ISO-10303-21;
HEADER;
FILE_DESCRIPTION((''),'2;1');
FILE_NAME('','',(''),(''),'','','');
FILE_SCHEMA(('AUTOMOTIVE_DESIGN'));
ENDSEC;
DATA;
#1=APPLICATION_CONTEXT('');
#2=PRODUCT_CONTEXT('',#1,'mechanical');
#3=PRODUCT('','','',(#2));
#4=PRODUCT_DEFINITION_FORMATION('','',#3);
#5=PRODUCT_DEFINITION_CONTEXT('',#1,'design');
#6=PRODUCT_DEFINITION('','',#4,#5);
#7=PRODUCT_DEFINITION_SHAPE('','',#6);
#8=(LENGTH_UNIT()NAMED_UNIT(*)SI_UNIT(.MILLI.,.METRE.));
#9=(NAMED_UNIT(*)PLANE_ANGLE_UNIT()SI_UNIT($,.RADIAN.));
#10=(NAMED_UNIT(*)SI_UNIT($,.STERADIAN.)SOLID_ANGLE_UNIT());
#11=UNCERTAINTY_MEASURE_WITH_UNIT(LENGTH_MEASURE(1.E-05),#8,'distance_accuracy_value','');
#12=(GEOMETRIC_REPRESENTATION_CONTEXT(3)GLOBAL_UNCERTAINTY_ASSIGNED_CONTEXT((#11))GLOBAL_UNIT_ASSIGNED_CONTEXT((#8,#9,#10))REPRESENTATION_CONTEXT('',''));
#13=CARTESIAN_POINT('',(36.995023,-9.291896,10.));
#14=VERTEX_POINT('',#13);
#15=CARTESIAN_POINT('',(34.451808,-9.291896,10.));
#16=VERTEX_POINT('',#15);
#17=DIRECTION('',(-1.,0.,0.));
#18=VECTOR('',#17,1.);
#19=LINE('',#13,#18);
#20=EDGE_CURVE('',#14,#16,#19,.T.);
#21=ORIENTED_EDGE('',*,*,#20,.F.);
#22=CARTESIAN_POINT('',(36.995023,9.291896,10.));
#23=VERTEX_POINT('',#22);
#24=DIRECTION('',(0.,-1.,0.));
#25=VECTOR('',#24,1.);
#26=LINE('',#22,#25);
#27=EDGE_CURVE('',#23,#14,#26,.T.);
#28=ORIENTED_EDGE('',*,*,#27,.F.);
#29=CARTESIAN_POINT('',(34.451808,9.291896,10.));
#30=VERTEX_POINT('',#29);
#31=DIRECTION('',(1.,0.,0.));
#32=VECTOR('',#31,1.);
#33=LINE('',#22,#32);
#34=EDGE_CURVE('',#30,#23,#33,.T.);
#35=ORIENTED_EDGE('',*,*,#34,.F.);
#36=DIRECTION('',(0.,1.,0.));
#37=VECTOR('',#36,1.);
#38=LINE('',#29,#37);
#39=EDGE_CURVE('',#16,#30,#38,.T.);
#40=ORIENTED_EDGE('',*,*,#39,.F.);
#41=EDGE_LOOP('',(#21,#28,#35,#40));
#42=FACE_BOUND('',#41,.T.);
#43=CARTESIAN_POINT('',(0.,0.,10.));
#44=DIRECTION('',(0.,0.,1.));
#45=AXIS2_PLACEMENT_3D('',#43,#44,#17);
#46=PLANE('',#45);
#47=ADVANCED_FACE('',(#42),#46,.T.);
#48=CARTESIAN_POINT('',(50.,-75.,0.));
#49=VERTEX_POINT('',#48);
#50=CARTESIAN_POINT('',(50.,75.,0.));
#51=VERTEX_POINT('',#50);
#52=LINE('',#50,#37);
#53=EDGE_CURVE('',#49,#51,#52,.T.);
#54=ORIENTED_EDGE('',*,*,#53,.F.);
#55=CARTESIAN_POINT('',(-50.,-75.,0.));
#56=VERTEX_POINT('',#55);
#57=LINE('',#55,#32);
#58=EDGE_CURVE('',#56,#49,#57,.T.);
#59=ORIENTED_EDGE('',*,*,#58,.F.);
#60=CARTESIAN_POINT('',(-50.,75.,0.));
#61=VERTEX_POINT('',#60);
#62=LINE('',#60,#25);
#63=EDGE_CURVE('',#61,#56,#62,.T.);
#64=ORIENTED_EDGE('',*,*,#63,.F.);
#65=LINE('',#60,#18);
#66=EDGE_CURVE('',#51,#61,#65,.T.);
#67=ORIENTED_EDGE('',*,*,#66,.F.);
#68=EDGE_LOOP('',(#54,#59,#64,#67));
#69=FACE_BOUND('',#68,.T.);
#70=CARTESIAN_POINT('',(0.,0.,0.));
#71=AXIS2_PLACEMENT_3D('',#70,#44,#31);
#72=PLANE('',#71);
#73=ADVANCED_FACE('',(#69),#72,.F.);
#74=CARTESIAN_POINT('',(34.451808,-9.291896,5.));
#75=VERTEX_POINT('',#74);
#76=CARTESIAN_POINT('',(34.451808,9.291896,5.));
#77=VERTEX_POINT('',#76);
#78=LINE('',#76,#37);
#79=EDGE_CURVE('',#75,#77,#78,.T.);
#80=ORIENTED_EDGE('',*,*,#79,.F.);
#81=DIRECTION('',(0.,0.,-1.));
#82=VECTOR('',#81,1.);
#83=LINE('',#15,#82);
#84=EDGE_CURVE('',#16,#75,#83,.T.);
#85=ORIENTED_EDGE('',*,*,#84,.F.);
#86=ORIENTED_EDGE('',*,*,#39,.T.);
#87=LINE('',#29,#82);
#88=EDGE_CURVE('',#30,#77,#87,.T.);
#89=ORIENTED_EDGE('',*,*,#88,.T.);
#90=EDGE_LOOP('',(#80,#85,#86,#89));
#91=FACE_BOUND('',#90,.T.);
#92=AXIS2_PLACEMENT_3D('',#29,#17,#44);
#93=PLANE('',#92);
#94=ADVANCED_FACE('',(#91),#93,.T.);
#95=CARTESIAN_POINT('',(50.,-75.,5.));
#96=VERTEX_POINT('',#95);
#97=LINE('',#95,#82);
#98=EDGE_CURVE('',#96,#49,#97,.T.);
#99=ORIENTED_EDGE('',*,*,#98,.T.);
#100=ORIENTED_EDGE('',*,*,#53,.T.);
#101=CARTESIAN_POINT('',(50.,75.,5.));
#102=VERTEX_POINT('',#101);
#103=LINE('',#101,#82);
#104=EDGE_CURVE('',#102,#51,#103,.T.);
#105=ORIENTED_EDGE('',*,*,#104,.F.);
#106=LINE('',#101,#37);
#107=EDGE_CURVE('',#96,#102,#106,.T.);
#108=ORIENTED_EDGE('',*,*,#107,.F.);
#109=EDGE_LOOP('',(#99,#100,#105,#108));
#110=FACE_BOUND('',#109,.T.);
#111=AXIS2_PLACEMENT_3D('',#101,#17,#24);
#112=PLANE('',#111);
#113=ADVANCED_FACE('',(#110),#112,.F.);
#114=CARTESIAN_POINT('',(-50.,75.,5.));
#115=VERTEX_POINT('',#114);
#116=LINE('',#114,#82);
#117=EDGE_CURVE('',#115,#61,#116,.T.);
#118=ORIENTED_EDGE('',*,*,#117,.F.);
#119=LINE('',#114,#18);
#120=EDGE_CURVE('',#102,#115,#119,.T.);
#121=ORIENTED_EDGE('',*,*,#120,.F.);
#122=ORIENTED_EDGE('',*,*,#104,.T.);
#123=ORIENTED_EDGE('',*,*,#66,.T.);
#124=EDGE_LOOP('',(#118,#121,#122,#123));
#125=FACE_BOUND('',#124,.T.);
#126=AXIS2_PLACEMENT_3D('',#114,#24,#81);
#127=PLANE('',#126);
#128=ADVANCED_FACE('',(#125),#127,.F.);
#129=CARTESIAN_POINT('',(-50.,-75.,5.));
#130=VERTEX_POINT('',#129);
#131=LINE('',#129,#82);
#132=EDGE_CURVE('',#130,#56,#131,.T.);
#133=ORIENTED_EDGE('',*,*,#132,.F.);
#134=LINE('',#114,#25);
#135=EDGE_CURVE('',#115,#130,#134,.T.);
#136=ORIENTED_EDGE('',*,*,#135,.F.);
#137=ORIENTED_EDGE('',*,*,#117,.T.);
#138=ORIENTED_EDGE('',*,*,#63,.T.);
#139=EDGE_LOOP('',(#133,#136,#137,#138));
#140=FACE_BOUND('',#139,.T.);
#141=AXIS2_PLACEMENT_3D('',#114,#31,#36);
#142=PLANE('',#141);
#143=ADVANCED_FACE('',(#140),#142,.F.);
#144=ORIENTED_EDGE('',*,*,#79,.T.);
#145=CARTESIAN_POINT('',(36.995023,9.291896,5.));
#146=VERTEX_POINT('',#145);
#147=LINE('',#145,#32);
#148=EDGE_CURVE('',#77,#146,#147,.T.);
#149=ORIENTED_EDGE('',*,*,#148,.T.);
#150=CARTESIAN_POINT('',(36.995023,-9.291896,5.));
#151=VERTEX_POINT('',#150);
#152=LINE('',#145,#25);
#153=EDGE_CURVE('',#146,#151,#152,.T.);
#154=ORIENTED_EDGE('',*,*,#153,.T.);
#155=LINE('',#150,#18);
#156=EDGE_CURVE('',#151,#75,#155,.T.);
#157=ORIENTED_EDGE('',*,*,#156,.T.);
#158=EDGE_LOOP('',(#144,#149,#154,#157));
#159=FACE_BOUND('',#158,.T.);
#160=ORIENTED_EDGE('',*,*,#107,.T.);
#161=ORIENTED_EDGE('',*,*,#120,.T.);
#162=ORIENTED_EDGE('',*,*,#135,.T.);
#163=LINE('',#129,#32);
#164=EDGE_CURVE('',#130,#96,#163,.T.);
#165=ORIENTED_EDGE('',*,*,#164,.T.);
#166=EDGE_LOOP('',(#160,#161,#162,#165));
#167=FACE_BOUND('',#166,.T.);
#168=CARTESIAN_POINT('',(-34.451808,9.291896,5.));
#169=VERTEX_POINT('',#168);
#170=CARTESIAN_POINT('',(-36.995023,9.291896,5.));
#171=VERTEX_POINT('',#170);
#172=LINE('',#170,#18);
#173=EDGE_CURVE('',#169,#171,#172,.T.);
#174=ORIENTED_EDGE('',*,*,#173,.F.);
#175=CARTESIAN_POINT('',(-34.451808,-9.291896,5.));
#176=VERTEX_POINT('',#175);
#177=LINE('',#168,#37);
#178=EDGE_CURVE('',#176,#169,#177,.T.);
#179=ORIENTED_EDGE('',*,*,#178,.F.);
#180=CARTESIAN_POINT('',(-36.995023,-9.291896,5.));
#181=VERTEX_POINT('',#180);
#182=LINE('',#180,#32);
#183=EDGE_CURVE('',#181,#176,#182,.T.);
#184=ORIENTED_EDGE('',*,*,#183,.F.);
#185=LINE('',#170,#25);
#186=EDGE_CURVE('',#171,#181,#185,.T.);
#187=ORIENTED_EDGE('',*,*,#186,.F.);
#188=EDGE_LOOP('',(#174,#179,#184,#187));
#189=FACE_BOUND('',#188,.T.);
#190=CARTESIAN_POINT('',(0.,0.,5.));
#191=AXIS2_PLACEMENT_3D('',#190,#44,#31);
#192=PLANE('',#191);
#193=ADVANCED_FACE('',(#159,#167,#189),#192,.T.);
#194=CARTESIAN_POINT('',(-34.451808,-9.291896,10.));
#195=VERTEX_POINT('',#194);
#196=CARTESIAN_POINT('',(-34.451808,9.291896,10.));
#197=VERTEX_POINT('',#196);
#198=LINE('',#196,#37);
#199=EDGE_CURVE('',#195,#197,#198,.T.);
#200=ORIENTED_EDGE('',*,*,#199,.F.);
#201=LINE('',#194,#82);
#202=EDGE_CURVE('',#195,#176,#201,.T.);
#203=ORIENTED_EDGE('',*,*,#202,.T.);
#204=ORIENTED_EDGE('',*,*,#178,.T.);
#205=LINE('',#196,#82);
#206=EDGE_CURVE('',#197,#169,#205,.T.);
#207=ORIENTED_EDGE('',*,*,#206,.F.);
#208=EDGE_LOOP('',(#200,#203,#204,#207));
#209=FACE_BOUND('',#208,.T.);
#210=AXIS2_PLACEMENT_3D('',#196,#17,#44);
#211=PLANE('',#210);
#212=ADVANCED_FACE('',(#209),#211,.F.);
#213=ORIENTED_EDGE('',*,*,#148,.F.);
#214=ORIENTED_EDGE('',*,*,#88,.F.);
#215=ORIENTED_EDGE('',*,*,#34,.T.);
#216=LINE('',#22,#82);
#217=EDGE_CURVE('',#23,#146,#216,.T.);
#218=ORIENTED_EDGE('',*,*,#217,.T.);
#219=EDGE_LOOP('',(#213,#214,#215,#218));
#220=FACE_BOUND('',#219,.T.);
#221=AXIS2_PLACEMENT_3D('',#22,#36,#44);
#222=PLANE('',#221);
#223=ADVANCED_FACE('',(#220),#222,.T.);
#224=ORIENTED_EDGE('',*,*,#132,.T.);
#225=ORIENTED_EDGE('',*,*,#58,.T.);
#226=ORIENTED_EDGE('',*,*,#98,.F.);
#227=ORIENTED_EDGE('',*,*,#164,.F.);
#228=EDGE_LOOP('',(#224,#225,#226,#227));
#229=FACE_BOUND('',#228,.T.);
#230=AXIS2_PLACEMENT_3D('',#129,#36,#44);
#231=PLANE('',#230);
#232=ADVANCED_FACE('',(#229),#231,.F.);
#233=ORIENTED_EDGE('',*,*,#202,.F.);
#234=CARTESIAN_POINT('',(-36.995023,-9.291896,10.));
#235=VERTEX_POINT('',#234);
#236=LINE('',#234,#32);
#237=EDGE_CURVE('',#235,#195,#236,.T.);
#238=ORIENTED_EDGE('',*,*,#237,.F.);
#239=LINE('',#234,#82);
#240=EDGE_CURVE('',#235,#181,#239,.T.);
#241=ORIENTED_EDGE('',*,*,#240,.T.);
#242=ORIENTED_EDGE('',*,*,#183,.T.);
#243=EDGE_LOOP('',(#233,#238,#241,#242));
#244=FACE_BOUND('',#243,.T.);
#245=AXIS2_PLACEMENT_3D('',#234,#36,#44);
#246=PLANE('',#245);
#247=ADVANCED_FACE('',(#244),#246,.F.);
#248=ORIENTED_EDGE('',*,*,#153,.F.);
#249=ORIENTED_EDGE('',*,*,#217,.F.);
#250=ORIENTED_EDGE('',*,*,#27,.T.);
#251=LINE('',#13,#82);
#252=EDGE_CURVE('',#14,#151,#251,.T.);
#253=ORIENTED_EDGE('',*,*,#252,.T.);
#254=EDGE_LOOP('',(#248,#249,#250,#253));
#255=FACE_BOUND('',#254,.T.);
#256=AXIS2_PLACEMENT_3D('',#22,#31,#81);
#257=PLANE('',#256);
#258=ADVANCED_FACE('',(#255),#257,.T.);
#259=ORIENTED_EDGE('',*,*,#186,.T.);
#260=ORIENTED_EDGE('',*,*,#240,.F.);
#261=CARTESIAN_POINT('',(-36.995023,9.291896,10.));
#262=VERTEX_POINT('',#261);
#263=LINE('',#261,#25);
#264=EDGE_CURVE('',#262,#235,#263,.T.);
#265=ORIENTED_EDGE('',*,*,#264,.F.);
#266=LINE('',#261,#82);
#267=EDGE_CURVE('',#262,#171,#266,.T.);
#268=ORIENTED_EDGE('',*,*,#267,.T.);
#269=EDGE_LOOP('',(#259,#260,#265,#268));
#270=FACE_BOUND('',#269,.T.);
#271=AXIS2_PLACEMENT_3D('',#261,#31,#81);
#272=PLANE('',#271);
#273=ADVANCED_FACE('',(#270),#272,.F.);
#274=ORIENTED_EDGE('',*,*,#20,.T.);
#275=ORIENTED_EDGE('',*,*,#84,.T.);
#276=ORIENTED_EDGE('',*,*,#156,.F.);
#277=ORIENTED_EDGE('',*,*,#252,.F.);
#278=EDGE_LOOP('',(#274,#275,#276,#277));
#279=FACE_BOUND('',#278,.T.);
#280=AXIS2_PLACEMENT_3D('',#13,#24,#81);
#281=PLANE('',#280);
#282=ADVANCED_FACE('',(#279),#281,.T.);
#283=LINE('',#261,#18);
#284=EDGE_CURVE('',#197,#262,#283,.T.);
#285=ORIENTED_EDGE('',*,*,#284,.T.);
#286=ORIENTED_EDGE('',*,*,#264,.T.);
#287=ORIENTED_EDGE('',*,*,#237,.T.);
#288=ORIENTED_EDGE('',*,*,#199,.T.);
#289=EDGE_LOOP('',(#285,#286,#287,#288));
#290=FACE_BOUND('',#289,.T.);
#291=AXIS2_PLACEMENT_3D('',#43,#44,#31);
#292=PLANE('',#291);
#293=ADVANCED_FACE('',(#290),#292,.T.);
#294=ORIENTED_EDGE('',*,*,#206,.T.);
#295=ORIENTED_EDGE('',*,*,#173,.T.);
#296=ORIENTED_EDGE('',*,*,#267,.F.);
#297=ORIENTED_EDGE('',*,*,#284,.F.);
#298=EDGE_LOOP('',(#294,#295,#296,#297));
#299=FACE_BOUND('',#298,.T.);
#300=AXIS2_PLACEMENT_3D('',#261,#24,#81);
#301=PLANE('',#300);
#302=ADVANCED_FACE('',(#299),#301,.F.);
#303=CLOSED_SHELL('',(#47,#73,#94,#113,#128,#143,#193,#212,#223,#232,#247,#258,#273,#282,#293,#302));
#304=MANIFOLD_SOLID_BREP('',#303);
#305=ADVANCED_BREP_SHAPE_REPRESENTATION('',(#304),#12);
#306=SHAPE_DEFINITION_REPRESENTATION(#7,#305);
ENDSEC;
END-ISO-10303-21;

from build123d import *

# Parameters (mm, degrees)
SKETCH1_W           = 100
SKETCH1_H           = 150
BOSS_EXTRUDE1_DEPTH = 5
SKETCH2_W           = 2.543215169
SKETCH2_H           = 18.583792384
BOSS_EXTRUDE2_DEPTH = 5


with BuildPart() as part:
    # Sketch1 → Boss-Extrude1 (new body)
    with BuildSketch(Plane.XY):
        Rectangle(SKETCH1_W, SKETCH1_H)
    extrude(amount=BOSS_EXTRUDE1_DEPTH)

    # Sketch2 → Boss-Extrude2 (add)
    with BuildSketch(Plane.XY.offset(5)):
        with Locations((-35.723415387, 0)):
            Rectangle(SKETCH2_W, SKETCH2_H)
    boss_extrude2 = extrude(amount=BOSS_EXTRUDE2_DEPTH)

    # Mirror1: Boss-Extrude2 across plane
    add(boss_extrude2.mirror(Plane(origin=(0, 0, 0), x_dir=(0, 0, 1), z_dir=(1, 0, 0))))


solid = part.part
